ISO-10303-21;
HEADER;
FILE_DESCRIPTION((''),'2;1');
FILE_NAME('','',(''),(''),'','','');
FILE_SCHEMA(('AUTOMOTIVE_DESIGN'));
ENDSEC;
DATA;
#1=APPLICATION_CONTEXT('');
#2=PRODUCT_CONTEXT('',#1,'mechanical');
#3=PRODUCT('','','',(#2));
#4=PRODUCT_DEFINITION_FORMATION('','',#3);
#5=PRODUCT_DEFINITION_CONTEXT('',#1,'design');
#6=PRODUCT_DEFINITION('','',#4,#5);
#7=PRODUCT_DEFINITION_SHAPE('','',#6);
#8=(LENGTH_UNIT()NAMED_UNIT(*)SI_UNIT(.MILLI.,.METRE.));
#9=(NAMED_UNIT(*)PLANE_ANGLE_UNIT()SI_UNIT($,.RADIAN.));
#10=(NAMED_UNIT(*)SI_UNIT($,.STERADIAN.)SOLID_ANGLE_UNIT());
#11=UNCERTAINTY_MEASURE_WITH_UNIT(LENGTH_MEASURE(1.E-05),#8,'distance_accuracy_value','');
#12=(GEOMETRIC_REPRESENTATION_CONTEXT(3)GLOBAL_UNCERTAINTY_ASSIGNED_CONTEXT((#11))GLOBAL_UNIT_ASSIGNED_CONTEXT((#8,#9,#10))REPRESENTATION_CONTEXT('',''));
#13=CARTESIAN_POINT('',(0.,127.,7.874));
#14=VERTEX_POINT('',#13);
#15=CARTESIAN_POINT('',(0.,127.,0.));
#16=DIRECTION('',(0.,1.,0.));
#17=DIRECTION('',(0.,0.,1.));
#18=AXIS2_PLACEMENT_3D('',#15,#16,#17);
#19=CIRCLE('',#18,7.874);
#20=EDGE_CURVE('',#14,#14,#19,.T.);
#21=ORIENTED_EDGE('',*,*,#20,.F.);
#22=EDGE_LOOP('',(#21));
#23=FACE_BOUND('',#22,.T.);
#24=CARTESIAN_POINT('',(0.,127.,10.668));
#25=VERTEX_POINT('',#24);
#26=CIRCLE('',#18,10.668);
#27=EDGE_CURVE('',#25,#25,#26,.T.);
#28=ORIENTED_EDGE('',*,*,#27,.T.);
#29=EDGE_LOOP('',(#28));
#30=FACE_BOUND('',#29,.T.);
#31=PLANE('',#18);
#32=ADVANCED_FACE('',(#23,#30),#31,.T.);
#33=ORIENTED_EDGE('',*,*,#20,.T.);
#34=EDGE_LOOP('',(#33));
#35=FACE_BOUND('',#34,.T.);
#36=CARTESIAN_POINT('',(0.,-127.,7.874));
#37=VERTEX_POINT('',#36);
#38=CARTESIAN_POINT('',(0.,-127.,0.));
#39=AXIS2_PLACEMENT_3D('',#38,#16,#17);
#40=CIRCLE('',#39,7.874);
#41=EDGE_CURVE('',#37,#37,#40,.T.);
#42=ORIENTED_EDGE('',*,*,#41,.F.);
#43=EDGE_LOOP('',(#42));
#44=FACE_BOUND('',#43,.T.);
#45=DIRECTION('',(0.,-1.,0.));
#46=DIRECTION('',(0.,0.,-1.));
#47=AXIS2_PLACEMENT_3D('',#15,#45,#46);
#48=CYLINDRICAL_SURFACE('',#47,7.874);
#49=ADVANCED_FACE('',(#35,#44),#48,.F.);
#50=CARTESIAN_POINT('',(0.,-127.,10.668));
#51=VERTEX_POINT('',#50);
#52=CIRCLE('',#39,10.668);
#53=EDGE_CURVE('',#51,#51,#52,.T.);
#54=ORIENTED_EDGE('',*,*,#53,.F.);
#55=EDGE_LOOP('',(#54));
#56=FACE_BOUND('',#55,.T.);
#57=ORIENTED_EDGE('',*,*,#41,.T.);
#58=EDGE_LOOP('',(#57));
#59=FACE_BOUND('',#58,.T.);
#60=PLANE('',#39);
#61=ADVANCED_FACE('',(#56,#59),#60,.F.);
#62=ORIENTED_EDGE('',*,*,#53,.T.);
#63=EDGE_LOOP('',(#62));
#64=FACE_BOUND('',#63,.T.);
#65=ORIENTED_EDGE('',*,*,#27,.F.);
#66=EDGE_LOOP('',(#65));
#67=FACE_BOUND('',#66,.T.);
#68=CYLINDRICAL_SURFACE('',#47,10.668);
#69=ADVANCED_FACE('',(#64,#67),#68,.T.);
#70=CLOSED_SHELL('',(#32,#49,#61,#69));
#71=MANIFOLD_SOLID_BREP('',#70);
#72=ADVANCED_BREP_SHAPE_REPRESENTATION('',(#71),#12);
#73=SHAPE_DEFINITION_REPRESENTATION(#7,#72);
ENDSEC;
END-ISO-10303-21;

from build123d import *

# Parameters (mm, degrees)
SKETCH1_R           = 10.668
SKETCH1_R_2         = 7.874
BOSS_EXTRUDE1_DEPTH = 127


with BuildPart() as part:
    # Sketch1 → Boss-Extrude1 (new, symmetric)
    with BuildSketch(Plane(origin=(0, 0, 0), x_dir=(1, 0, 0), z_dir=(0, 1, 0))):
        with Locations(Location((0, 0, 0), (0, 0, 270))):
            Circle(SKETCH1_R)
        with Locations(Location((0, 0, 0), (0, 0, 270))):
            Circle(SKETCH1_R_2, mode=Mode.SUBTRACT)
    extrude(amount=BOSS_EXTRUDE1_DEPTH, both=True)


solid = part.part
